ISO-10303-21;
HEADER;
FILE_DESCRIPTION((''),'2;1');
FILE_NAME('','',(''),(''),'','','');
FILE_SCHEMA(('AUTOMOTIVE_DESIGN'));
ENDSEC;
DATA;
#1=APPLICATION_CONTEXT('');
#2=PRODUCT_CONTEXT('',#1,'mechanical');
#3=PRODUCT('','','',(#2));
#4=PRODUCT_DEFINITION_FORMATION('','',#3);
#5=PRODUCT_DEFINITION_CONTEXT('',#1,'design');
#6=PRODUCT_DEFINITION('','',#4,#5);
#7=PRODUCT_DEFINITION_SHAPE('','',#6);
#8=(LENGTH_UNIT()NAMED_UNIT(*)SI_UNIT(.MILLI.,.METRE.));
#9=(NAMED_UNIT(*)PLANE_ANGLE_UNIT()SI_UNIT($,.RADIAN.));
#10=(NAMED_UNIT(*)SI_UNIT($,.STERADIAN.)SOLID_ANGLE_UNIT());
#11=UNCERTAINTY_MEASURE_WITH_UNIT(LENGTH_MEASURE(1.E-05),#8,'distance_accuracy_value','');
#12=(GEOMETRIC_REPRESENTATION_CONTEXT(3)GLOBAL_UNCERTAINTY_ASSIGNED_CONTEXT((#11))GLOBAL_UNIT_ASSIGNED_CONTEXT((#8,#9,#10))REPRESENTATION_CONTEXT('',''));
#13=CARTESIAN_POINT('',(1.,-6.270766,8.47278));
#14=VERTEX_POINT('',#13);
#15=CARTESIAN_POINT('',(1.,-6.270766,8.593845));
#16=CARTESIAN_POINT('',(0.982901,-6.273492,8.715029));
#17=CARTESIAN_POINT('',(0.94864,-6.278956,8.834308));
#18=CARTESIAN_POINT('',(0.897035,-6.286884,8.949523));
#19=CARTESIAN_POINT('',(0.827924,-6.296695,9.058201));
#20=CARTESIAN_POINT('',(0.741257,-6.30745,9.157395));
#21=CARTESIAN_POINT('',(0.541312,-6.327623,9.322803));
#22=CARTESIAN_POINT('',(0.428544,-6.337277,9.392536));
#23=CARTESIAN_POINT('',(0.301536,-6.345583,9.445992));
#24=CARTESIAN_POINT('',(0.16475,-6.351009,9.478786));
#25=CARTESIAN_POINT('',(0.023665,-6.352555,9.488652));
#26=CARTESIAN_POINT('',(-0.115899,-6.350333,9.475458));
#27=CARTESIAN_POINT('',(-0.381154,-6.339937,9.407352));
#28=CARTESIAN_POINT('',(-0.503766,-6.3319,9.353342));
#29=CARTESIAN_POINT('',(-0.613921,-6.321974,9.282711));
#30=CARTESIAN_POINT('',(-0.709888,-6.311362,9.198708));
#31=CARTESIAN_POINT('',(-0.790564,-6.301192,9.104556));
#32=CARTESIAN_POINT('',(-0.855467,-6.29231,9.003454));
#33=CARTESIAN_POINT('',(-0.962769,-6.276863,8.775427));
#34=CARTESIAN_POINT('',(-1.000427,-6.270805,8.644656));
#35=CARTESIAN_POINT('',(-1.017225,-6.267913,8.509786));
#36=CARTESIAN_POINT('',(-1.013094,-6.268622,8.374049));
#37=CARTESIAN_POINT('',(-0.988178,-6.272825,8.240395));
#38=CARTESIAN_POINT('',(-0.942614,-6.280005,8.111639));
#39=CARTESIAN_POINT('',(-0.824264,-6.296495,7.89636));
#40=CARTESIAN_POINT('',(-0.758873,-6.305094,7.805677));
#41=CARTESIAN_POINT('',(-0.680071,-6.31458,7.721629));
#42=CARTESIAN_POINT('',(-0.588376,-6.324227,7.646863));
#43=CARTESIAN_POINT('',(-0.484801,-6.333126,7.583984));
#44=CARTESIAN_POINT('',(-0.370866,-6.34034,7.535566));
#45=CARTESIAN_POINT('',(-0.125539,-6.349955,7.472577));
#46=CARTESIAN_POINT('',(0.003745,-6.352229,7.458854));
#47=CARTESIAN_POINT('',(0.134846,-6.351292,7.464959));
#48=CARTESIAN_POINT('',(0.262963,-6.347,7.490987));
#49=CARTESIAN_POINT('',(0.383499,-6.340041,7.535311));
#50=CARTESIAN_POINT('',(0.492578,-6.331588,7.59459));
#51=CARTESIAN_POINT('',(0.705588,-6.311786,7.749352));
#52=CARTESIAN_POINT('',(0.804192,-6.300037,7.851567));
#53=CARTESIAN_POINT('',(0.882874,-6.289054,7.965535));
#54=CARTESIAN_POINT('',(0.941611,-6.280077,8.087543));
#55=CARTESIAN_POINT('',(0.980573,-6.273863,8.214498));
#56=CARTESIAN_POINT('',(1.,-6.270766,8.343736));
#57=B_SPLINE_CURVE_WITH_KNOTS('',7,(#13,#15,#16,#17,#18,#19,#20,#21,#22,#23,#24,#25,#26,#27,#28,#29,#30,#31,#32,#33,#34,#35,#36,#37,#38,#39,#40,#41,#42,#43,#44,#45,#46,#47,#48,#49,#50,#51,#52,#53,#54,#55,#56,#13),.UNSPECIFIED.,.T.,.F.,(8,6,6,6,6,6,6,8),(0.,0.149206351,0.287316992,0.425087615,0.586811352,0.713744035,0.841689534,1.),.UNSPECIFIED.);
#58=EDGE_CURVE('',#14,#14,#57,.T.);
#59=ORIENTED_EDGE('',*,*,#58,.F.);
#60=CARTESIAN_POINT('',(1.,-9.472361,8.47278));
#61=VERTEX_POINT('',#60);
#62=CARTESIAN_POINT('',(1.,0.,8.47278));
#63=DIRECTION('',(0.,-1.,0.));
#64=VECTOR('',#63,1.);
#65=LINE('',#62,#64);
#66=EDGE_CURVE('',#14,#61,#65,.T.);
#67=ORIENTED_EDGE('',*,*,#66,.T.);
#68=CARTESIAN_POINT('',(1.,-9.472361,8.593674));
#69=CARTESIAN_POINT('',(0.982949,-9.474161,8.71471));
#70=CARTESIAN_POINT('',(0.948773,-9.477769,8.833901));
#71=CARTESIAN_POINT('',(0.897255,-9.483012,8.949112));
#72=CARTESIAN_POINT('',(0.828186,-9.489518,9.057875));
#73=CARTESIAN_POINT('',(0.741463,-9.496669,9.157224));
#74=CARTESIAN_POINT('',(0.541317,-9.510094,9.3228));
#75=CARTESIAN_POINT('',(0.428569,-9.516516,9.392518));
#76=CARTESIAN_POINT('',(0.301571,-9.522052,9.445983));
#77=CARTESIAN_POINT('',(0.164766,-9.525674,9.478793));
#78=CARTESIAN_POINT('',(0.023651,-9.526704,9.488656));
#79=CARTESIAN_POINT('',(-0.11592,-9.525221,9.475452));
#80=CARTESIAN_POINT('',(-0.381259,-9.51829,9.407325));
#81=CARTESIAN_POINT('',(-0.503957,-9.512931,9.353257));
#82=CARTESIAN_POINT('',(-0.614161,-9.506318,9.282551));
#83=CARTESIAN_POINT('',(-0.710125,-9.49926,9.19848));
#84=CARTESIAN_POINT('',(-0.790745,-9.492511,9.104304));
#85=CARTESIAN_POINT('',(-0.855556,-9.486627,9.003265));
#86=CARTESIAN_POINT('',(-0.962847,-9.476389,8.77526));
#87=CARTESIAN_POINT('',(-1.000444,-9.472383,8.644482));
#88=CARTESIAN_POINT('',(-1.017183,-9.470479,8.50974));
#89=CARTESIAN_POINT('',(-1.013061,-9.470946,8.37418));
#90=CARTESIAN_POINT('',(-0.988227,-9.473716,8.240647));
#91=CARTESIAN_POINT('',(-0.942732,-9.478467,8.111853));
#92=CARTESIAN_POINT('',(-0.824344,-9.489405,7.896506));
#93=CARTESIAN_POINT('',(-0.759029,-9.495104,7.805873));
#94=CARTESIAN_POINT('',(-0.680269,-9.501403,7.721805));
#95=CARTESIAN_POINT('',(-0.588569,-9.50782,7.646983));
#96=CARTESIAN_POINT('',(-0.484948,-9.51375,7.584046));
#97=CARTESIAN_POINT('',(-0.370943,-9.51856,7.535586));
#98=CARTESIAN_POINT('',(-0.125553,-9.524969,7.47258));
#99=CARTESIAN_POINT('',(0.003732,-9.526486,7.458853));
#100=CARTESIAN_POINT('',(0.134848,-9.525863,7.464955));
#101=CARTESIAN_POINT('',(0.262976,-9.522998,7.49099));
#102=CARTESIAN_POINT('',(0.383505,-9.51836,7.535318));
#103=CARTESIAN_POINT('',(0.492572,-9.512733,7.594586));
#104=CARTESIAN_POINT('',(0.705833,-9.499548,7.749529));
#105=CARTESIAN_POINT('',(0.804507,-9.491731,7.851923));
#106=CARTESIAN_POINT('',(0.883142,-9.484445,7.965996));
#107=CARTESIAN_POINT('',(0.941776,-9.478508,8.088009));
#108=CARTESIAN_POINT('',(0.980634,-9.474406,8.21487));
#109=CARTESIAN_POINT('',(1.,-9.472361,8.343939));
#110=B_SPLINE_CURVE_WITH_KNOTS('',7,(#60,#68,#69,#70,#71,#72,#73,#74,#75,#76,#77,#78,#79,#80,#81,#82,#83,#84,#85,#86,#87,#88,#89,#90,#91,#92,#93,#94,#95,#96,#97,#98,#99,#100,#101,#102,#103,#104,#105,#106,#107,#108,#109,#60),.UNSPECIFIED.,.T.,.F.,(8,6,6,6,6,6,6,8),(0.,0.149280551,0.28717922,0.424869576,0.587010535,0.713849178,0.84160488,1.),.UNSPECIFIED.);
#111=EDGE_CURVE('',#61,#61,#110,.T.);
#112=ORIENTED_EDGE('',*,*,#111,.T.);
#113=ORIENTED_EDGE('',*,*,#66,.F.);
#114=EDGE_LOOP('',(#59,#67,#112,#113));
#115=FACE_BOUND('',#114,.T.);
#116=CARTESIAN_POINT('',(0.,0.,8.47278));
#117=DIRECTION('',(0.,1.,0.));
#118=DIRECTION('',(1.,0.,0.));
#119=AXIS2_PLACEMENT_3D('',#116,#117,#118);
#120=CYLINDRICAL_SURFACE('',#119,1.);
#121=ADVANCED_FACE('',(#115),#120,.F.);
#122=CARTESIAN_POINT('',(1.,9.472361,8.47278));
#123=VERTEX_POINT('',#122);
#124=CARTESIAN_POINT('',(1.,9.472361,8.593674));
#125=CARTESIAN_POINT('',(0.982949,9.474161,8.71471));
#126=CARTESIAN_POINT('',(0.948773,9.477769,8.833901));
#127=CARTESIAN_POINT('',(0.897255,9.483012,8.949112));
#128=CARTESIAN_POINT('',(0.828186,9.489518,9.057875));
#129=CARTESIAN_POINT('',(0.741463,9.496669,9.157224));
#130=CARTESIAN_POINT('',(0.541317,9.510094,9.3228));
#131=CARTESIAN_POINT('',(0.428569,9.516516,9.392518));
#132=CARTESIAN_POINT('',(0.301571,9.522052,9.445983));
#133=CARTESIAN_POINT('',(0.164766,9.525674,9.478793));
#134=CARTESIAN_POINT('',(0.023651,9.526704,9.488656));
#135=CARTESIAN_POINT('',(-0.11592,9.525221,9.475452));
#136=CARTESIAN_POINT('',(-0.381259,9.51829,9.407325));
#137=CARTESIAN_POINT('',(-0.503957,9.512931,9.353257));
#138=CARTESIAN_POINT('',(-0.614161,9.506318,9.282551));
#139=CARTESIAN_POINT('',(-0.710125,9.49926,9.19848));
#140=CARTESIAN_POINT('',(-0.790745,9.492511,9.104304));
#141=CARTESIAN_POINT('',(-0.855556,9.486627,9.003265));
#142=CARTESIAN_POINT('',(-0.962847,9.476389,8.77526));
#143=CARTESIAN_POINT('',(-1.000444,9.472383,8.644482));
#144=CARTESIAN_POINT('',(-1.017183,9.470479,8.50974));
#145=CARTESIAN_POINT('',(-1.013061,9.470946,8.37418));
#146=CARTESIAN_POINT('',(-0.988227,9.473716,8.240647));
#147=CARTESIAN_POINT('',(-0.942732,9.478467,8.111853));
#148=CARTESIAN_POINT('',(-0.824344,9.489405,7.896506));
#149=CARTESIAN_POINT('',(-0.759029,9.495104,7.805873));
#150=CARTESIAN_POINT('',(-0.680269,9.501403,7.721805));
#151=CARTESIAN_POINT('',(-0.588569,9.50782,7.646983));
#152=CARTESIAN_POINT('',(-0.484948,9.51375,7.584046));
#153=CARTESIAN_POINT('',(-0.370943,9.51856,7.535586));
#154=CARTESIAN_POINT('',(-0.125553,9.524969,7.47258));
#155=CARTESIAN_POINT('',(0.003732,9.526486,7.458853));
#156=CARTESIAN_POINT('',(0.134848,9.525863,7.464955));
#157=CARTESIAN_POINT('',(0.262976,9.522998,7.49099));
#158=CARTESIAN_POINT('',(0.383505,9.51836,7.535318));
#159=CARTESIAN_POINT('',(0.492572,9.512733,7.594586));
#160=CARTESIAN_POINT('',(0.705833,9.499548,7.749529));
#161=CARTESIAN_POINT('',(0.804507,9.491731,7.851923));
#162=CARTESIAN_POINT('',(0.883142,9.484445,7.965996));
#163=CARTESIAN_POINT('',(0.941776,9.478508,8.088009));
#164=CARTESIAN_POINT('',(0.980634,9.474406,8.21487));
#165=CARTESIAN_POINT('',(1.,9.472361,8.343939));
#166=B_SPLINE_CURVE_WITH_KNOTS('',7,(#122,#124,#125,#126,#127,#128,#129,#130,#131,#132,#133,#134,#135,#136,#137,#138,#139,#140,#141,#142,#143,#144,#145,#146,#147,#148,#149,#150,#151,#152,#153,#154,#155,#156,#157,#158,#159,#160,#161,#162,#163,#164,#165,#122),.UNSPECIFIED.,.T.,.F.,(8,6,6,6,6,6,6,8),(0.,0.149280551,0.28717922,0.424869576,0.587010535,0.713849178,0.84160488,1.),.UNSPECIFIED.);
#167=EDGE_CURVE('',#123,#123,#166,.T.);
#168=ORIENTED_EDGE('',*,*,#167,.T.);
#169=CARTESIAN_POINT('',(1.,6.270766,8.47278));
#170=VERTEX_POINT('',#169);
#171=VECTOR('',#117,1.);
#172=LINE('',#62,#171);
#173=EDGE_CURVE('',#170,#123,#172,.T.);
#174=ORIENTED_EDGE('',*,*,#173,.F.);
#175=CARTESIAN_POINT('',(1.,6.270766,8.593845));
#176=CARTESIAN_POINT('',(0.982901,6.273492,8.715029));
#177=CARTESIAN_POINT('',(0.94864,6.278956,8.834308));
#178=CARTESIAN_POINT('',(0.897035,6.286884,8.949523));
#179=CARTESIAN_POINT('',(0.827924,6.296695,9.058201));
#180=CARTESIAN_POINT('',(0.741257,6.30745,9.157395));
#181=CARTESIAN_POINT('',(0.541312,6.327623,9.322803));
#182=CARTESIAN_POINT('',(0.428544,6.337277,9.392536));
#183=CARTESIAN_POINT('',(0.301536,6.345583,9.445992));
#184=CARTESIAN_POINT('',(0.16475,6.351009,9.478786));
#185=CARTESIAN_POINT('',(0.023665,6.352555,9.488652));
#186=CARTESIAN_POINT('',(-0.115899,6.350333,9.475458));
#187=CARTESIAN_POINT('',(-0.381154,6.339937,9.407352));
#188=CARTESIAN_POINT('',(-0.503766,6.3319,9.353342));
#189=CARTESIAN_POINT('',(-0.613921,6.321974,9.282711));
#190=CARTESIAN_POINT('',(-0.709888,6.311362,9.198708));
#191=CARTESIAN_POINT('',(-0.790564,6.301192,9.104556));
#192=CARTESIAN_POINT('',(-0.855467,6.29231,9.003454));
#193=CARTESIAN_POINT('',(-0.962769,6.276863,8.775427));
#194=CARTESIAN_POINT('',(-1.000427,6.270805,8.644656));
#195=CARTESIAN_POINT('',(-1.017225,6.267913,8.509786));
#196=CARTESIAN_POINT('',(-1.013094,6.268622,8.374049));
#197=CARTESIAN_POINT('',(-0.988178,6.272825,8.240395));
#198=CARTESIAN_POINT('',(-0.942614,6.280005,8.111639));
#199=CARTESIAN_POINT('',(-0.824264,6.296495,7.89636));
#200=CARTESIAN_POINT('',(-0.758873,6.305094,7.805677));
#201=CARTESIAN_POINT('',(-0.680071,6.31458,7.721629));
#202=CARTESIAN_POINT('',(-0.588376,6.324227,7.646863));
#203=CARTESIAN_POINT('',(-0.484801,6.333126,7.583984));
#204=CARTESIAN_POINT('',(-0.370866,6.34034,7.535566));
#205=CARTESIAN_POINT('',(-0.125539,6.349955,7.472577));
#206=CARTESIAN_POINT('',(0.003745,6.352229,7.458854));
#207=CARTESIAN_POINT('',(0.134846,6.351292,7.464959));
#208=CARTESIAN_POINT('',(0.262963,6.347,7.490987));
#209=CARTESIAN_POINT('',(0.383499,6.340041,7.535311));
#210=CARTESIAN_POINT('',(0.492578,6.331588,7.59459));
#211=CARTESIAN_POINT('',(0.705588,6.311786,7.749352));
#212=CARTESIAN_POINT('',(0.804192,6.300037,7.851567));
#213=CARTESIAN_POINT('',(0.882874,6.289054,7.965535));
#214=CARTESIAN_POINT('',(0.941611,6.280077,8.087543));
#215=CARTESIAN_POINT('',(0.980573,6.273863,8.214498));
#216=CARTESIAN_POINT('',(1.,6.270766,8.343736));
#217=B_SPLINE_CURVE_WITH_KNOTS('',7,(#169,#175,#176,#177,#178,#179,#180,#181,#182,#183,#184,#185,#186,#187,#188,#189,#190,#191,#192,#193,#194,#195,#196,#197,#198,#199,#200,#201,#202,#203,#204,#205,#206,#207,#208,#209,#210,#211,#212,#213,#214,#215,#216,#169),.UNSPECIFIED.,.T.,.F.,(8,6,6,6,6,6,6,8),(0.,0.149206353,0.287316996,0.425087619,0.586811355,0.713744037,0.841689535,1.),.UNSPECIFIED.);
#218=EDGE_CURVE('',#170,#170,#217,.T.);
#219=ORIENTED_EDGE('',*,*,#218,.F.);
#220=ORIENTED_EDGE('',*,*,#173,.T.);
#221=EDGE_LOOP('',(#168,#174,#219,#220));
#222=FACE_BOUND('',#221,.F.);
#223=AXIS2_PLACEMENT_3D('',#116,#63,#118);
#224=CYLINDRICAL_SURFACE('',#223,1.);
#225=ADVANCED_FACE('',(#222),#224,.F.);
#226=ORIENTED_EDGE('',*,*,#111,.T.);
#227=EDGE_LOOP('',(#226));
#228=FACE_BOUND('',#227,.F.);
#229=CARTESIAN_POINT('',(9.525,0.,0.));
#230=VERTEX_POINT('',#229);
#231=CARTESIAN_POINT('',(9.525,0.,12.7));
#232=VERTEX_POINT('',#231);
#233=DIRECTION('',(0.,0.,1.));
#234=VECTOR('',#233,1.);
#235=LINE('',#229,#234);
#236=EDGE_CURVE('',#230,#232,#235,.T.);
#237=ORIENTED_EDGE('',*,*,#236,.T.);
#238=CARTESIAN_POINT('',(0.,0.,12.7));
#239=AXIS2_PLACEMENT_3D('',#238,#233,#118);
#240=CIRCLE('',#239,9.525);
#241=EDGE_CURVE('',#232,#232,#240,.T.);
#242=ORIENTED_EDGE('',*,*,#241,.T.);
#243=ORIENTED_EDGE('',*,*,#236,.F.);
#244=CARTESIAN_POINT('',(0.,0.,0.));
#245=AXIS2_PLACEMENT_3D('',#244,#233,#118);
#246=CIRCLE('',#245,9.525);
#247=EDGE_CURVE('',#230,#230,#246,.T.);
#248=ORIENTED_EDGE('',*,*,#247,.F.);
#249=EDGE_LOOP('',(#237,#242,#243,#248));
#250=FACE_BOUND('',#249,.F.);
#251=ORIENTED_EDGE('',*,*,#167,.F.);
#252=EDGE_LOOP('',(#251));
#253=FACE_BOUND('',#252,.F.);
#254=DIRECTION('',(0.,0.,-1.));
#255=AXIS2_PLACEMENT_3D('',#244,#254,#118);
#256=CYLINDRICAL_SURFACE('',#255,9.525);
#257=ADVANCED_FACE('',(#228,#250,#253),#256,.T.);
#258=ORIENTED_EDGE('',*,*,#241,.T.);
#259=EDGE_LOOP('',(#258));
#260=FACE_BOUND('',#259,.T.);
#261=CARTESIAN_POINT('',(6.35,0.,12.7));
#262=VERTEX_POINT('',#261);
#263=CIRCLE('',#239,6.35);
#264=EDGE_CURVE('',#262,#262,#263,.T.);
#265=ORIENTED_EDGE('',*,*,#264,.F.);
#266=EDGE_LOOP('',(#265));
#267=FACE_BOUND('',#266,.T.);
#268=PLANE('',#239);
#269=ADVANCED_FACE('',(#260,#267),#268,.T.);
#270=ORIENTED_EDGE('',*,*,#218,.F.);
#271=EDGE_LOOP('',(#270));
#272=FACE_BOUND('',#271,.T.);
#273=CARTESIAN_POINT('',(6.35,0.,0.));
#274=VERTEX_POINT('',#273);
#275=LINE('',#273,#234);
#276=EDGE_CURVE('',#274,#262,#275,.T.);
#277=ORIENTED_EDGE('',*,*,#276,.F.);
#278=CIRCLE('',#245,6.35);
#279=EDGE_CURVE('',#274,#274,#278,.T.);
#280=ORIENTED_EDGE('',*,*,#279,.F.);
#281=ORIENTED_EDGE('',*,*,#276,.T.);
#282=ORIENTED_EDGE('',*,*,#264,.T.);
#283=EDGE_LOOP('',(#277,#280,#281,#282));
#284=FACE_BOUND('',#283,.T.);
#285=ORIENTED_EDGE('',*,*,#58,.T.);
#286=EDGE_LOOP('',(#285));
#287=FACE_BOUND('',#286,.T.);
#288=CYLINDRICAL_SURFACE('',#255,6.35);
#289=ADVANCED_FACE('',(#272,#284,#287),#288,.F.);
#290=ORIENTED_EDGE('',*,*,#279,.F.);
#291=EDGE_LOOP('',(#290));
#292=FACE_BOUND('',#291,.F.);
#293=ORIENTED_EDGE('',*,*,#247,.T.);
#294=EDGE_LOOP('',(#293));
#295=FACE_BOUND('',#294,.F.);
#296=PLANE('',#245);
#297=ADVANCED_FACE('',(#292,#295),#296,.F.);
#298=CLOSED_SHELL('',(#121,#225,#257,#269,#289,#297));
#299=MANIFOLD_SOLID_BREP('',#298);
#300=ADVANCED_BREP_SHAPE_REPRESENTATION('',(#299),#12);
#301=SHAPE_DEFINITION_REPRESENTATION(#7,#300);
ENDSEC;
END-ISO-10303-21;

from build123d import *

# Parameters (mm, degrees)
F0_R          = 9.525
F0_R_2        = 6.35
F1_DEPTH      = 12.7
F2_R          = 1
F3_DEPTH      = 25.4
F3_DEPTH_BACK = 25.4


with BuildPart() as f1:
    # F0 (on Top) → F1 (new body)
    with BuildSketch(Plane.XY):
        Circle(F0_R)
        Circle(F0_R_2, mode=Mode.SUBTRACT)
    extrude(amount=F1_DEPTH)

    # F2 (on Front) → F3 (cut, two sides)
    with BuildSketch(Plane.XZ) as f3_sk:
        with Locations((0, 8.4727797657)):
            Circle(F2_R)
    extrude(amount=-F3_DEPTH, mode=Mode.SUBTRACT)
    extrude(f3_sk.sketch, amount=F3_DEPTH_BACK, mode=Mode.SUBTRACT)


solid = f1.part
